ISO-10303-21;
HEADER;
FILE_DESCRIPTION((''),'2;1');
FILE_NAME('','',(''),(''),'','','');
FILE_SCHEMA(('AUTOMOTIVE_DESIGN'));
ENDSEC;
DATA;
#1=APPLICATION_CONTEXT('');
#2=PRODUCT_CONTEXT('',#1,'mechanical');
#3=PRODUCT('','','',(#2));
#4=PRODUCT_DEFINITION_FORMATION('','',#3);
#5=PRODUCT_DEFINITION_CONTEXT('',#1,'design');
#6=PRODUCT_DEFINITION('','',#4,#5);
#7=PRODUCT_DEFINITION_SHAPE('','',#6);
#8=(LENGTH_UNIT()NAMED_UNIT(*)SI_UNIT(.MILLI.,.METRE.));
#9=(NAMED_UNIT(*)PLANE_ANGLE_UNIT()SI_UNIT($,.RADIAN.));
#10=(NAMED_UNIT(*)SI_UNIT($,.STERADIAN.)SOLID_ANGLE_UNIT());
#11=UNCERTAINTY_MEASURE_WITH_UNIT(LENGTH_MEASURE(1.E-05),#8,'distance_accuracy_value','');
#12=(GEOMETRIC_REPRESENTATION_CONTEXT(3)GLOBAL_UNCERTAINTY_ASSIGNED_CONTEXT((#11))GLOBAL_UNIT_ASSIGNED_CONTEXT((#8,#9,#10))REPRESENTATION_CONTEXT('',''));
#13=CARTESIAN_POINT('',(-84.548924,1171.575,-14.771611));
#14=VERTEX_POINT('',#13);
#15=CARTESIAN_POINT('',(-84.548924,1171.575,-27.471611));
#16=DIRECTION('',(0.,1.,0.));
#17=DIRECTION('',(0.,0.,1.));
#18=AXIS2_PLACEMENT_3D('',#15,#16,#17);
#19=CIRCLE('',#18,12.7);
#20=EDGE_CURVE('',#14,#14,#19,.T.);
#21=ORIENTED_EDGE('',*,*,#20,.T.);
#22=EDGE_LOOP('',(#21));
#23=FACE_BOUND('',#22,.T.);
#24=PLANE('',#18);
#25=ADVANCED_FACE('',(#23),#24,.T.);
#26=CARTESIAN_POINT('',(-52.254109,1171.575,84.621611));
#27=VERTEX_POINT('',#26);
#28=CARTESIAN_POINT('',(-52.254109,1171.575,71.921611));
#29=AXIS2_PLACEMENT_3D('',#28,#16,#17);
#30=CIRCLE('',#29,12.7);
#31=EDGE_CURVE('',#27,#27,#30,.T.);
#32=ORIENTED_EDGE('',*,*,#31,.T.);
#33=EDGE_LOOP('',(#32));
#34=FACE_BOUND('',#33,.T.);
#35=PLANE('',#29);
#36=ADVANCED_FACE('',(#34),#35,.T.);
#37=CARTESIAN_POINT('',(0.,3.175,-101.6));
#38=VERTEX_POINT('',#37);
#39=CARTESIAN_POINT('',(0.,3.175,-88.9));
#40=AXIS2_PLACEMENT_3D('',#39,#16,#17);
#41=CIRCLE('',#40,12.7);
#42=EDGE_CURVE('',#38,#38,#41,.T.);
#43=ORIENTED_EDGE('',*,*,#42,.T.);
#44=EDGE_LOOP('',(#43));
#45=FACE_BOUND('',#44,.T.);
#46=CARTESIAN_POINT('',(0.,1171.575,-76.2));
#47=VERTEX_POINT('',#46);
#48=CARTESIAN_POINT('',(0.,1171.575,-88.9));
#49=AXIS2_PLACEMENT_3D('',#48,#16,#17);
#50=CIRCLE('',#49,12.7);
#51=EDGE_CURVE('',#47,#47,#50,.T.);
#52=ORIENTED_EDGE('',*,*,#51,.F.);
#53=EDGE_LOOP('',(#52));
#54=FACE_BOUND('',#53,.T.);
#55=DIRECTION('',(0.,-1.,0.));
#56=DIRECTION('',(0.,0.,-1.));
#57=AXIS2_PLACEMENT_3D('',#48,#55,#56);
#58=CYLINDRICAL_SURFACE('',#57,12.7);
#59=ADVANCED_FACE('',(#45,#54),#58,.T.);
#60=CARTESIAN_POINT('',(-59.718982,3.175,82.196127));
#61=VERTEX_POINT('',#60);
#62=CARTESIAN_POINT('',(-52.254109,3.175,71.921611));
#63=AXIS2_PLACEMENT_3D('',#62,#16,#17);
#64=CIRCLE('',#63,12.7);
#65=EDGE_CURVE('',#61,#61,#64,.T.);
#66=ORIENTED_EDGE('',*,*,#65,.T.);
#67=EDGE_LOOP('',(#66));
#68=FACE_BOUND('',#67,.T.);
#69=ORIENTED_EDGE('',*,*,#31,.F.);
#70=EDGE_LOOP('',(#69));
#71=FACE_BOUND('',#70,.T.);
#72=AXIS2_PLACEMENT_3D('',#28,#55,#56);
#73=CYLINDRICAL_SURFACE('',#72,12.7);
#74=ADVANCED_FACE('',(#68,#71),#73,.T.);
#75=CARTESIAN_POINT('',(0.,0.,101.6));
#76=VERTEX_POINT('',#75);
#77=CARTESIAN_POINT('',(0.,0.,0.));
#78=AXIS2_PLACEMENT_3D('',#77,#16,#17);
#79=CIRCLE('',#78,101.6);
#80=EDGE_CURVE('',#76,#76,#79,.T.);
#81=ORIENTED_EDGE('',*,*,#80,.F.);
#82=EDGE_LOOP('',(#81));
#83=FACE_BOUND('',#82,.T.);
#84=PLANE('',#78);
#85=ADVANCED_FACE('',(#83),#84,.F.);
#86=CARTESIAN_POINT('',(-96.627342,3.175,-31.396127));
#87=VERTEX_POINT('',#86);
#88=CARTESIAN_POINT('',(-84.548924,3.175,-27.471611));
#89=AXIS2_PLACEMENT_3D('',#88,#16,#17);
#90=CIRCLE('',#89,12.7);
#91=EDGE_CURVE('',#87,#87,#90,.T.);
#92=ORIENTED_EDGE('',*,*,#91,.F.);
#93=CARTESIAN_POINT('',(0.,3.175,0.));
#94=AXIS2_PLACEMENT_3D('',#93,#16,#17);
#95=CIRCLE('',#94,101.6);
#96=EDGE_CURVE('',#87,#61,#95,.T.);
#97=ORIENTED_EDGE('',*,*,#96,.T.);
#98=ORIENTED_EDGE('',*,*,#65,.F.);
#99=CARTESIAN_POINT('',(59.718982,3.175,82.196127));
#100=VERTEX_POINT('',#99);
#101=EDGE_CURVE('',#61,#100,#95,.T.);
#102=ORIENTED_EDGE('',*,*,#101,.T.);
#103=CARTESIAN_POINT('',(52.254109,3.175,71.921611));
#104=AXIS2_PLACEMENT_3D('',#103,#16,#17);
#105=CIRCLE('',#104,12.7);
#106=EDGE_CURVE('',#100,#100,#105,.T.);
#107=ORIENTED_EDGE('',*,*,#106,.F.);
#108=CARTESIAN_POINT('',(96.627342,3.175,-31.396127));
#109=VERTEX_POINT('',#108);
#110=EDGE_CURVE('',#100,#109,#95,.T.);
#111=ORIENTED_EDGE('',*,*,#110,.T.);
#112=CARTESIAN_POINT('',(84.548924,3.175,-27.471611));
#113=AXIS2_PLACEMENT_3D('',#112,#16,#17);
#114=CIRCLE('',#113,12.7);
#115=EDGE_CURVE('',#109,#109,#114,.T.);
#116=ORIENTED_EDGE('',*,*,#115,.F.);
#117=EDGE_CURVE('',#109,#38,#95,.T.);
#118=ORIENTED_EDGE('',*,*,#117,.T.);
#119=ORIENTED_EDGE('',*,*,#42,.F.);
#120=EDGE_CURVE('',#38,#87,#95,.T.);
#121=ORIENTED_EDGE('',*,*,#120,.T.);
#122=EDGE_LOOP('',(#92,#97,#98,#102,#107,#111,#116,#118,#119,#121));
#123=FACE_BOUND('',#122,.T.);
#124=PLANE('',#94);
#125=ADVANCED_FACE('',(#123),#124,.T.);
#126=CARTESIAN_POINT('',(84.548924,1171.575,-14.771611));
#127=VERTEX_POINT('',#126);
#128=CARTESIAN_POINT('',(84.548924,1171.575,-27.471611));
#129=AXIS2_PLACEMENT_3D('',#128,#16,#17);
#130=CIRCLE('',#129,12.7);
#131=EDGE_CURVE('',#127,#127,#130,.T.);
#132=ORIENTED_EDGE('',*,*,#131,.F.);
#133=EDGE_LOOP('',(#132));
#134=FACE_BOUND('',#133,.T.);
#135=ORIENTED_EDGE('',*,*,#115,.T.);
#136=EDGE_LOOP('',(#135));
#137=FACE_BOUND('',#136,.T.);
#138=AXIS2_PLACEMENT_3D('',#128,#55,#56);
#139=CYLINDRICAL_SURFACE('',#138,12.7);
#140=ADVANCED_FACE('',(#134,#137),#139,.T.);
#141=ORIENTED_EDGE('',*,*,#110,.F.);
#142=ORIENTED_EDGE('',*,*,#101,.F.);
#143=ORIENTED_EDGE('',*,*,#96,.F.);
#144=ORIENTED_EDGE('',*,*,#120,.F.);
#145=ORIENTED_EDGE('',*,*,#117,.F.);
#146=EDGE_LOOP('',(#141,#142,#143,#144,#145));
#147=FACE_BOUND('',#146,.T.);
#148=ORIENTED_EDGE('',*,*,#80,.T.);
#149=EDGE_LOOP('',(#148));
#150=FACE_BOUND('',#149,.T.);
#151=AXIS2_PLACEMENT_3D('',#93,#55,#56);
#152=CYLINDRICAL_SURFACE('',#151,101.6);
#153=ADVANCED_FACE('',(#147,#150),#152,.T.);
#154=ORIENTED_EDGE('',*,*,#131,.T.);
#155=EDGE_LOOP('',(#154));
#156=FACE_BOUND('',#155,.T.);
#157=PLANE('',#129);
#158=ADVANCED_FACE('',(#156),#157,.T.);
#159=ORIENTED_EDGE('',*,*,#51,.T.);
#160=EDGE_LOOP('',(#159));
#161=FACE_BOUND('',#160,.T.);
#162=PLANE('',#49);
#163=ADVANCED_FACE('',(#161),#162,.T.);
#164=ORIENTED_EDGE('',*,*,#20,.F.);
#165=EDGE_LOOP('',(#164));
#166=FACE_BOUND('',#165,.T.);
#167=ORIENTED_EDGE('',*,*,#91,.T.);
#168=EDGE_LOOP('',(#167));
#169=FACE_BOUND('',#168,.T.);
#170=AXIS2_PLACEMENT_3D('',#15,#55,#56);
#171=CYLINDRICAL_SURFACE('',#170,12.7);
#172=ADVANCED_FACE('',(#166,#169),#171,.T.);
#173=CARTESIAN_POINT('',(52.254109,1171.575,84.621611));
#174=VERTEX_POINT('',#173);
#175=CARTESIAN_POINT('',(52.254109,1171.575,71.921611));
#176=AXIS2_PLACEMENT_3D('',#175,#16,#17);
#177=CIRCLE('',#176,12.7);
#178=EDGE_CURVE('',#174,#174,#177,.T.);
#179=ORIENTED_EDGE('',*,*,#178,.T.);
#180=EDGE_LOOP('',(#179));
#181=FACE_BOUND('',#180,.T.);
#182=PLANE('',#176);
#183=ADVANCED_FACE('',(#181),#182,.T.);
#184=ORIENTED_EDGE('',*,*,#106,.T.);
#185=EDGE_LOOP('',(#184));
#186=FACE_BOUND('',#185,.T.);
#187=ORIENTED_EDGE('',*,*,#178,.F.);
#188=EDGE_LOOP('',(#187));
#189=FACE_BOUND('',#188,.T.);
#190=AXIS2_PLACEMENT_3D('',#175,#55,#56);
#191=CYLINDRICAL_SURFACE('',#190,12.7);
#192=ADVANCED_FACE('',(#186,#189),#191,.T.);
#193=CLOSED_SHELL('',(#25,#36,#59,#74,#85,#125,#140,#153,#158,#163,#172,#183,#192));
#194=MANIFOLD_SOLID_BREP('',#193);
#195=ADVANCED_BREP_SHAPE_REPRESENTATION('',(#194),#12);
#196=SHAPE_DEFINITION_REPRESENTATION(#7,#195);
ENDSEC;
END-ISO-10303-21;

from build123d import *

# Parameters (mm, degrees)
SKETCH5_R            = 101.6
BOSS_EXTRUDE9_DEPTH  = 3.175
SKETCH6_R            = 12.7
BOSS_EXTRUDE10_DEPTH = 1168.4


with BuildPart() as part:
    # Sketch5 → Boss-Extrude9 (new body)
    with BuildSketch(Plane(origin=(0, 0, 0), x_dir=(1, 0, 0), z_dir=(0, 1, 0))):
        with Locations(Location((0, 0, 0), (0, 0, 270))):
            Circle(SKETCH5_R)
    extrude(amount=BOSS_EXTRUDE9_DEPTH)

    # Sketch6 → Boss-Extrude10 (add)
    with BuildSketch(Plane(origin=(0, 3.175, 0), x_dir=(1, 0, 0), z_dir=(0, 1, 0))):
        with Locations(Location((0, 88.9, 0), (0, 0, 89.999756917))):
            Circle(SKETCH6_R)
        with Locations(Location((84.548924299, 27.4716108, 0), (0, 0, 17.999752599))):
            Circle(SKETCH6_R)
        with Locations(Location((52.254108929, -71.9216108, 0), (0, 0, 305.999749955))):
            Circle(SKETCH6_R)
        with Locations(Location((-52.254108929, -71.9216108, 0), (0, 0, 233.999752099))):
            Circle(SKETCH6_R)
        with Locations(Location((-84.548924299, 27.4716108, 0), (0, 0, 161.999755865))):
            Circle(SKETCH6_R)
    extrude(amount=BOSS_EXTRUDE10_DEPTH)


solid = part.part
